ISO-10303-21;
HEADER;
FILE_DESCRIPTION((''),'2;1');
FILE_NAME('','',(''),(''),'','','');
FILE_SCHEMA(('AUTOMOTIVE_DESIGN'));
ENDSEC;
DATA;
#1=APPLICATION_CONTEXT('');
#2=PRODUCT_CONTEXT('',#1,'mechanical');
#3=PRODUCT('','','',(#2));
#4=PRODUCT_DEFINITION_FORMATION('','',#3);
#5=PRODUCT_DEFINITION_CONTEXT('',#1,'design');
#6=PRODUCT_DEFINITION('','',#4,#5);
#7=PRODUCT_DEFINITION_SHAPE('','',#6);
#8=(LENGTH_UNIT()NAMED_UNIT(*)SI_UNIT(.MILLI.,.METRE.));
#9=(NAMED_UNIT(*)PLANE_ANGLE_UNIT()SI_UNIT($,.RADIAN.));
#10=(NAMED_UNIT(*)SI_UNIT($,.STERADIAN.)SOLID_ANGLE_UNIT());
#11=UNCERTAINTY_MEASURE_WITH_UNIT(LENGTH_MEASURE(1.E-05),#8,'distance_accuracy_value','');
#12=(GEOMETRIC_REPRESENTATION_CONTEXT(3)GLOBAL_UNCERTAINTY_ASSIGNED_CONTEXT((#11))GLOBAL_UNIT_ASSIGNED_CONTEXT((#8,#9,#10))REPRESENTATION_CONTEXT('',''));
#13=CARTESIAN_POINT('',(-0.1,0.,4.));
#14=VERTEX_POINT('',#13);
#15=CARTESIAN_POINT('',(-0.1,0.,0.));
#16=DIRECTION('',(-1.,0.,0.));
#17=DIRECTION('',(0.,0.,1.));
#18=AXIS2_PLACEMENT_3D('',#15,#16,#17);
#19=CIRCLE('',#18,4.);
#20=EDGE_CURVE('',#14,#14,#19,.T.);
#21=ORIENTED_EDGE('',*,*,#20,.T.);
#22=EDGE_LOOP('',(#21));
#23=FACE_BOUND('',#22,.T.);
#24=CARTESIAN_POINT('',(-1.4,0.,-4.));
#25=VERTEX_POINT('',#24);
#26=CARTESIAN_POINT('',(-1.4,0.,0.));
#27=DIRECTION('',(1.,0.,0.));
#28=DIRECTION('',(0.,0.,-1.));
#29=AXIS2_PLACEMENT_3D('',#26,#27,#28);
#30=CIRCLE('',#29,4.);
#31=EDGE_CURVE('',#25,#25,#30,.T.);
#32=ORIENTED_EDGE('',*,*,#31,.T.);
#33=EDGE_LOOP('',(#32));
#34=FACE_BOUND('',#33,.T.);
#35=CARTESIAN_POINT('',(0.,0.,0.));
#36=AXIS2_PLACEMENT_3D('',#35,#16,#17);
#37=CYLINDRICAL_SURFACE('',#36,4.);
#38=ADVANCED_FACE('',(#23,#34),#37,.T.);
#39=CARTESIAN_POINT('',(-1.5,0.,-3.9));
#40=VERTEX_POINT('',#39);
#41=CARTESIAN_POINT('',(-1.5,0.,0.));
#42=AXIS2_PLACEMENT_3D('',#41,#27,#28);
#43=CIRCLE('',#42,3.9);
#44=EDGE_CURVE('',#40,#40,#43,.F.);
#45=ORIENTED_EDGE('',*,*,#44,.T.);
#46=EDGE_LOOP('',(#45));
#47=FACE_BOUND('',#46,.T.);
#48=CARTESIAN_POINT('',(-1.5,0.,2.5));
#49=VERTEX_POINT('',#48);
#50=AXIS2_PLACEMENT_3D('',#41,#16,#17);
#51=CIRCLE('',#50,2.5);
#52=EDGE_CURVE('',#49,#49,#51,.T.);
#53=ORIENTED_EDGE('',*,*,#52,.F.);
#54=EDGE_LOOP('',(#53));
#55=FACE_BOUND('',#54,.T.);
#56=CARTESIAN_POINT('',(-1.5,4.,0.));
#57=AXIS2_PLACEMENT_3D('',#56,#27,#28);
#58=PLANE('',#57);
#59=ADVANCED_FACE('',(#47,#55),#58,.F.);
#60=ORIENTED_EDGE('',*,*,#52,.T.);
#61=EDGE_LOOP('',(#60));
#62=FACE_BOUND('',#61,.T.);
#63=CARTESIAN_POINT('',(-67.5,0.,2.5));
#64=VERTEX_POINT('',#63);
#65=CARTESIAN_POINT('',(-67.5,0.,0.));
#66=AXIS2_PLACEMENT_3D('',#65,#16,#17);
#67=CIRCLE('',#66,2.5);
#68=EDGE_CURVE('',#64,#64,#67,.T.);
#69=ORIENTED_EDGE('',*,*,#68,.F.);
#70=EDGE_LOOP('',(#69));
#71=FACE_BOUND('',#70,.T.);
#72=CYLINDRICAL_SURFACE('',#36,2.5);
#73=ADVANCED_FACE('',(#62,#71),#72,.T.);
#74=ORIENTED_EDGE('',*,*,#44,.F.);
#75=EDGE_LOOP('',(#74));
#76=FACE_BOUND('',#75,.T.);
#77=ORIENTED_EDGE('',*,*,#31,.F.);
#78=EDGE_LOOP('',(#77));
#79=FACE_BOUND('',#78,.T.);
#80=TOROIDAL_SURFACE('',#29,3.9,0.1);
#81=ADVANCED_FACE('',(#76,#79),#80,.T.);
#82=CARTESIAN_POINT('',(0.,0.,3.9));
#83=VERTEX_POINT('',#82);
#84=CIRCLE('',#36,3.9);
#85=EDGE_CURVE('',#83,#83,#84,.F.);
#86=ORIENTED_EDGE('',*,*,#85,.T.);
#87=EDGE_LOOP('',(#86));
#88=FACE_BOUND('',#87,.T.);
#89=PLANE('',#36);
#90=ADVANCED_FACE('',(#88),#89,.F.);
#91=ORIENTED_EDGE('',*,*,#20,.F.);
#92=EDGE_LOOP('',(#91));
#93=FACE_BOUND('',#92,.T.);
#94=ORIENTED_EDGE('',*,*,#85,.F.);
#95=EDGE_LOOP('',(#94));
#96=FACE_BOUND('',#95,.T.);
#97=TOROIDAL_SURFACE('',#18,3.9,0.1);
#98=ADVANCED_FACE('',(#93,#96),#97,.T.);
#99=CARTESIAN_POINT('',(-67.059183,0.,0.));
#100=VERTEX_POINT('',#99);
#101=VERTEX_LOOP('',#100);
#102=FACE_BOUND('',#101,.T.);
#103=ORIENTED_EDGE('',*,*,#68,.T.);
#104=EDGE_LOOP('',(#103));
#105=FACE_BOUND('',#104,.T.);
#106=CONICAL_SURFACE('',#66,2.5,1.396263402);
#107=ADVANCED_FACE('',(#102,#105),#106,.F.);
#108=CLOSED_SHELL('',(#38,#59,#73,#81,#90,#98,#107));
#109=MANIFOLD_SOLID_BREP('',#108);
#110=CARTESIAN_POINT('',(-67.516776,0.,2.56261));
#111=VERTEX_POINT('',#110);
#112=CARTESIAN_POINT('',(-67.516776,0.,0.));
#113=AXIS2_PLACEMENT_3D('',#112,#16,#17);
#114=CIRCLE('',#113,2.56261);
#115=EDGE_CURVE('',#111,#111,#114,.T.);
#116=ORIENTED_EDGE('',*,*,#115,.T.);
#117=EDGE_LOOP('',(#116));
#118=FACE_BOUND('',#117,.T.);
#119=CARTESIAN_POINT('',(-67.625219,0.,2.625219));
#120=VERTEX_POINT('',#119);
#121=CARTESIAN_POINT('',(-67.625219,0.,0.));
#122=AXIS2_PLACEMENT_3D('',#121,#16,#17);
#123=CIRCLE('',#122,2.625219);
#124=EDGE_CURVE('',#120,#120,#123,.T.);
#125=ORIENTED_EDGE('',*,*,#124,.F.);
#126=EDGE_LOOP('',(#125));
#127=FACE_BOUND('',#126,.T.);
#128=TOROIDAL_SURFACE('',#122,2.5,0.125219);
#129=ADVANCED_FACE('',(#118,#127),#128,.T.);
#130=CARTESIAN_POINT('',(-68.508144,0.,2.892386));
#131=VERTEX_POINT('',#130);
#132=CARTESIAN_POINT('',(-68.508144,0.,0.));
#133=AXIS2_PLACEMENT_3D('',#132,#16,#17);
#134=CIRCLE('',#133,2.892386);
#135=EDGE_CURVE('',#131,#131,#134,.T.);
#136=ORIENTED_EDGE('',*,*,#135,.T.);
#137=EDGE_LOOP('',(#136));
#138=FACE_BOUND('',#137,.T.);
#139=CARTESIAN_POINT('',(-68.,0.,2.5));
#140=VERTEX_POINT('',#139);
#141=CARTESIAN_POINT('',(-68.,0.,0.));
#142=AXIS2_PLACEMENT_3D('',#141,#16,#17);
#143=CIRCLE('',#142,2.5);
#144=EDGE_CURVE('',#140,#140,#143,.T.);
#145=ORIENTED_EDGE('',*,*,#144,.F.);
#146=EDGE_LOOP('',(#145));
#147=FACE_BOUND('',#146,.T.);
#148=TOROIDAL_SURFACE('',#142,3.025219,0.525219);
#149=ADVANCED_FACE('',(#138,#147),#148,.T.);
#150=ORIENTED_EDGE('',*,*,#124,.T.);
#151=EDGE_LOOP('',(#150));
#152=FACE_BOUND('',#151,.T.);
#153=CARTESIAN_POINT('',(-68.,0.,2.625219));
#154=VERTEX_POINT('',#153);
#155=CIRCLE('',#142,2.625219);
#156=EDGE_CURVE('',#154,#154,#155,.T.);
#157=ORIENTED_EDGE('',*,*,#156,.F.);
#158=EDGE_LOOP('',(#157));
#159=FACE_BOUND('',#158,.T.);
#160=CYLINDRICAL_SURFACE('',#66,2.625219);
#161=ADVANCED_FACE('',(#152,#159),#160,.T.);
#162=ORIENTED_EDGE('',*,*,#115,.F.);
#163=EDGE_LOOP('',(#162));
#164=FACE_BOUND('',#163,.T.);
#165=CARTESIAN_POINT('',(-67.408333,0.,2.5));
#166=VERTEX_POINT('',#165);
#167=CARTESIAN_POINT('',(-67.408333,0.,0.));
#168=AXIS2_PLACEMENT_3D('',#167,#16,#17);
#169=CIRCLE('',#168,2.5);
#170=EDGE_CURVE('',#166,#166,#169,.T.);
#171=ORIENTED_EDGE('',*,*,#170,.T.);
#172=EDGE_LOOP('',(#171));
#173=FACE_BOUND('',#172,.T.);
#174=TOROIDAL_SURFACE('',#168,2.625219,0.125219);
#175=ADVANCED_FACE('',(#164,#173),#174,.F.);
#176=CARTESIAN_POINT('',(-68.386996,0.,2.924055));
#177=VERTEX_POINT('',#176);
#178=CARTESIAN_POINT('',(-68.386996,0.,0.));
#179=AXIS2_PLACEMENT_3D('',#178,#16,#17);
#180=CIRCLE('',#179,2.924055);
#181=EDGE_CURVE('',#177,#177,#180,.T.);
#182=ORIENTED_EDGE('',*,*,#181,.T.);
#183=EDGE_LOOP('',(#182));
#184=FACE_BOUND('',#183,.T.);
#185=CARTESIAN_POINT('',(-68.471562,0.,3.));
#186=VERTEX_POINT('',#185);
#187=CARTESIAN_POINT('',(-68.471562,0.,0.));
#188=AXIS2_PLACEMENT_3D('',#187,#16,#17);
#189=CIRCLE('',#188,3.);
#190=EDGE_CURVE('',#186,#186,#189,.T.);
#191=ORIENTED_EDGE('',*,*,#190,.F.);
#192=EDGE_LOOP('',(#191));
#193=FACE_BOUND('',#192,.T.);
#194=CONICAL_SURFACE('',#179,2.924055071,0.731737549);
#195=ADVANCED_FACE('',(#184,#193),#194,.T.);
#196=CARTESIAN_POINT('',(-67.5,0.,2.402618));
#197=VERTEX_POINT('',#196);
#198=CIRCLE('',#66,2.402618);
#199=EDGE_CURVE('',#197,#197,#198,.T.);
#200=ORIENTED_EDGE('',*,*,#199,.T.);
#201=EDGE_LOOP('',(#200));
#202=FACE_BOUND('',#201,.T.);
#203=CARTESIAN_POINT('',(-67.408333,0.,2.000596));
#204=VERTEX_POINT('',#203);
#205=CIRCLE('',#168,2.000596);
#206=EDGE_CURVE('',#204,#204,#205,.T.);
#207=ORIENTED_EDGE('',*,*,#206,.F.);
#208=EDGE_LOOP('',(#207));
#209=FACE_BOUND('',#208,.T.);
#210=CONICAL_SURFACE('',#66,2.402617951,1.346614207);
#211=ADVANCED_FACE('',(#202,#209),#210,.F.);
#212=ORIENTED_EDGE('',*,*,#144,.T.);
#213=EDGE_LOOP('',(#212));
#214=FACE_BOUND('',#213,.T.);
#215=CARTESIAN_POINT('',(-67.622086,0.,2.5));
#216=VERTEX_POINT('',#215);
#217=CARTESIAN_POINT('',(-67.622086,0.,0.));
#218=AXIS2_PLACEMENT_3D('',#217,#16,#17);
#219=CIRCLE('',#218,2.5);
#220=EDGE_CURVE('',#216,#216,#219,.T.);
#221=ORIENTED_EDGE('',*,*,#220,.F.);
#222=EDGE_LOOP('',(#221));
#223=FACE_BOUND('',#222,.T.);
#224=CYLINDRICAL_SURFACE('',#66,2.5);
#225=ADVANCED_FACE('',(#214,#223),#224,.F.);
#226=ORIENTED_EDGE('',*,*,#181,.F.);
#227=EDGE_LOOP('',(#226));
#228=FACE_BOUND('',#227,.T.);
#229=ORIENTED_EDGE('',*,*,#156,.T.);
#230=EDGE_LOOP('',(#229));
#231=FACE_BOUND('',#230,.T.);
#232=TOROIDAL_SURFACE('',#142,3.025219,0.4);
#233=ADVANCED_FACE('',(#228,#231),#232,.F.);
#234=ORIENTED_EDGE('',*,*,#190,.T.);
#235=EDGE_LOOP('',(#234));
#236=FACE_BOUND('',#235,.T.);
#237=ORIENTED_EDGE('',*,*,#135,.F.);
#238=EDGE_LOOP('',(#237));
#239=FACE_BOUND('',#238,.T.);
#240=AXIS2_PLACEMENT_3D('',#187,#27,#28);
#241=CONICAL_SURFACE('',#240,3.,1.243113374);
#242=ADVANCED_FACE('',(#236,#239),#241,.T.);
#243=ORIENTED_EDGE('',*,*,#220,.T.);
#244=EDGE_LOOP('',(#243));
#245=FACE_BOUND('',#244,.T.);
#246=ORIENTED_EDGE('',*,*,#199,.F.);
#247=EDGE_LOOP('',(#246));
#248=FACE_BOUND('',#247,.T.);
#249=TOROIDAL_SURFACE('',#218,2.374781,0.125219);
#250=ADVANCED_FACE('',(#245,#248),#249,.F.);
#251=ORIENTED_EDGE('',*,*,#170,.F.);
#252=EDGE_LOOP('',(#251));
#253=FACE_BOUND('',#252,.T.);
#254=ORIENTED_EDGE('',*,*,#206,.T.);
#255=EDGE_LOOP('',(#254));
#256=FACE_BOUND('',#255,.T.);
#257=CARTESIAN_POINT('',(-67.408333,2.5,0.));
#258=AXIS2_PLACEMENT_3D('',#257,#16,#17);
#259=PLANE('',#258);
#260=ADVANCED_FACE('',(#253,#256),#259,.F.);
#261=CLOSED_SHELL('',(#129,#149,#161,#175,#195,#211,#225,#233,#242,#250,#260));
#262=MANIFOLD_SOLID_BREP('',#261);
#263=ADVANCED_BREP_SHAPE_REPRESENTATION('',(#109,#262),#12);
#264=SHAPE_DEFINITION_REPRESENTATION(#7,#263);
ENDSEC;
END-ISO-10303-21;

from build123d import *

# Parameters (mm, degrees)
RADYUS1_R = 0.1


with BuildPart() as part:
    # Çizim1 → Döndür1 (revolve)
    with BuildSketch(Plane.XY):
        Polygon((0, 0), (-67.5, 0), (-67.5, 2.5), (-1.5, 2.5), (-1.5, 4), (0, 4), align=None)
    revolve(axis=Axis((0, 0, 0), (1, 0, 0)))

    # Radyus1
    radyus1_edges = [part.edges().sort_by_distance(p)[0] for p in [
        (0, -4, 0),
        (-1.5, -4, 0),
    ]]
    fillet(radyus1_edges, radius=RADYUS1_R)

    # Kes-Ekstrüzyon1 cone 1 section (through the dimple's axis) → Kes-Ekstrüzyon1 (revolve, cut)
    with BuildSketch(Plane(origin=(-67.5, 0, 0), x_dir=(0, 0, 1), z_dir=(0, 1, 0))):
        Polygon((0, 0), (2.5, 0), (0, 0.440817452), align=None)
    revolve(axis=Axis((-67.5, 0, 0), (1, 0, 0)), mode=Mode.SUBTRACT)


with BuildPart() as body_2:
    # Çizim4 → Döndür2 (revolve)
    with BuildSketch(Plane.XY):
        with BuildLine():
            Line((-68, 2.5), (-67.622086007, 2.5))
            ThreePointArc((-67.622086007, 2.5), (-67.544002307, 2.472672569), (-67.5, 2.402617951))
            Line((-67.5, 2.402617951), (-67.408332982, 2.000595733))
            Line((-67.408332982, 2.000595733), (-67.408332982, 2.5))
            ThreePointArc((-67.408332982, 2.5), (-67.470942718, 2.516776229), (-67.516776224, 2.562609739))
            ThreePointArc((-67.516776224, 2.562609739), (-67.562609731, 2.608443249), (-67.625219467, 2.625219478))
            Line((-67.625219467, 2.625219478), (-68, 2.625219478))
            ThreePointArc((-68, 2.625219478), (-68.244473145, 2.708623708), (-68.386995818, 2.924055071))
            Line((-68.386995818, 2.924055071), (-68.471562156, 3))
            Line((-68.471562156, 3), (-68.508144353, 2.892385686))
            ThreePointArc((-68.508144353, 2.892385686), (-68.321005144, 2.609513816), (-68, 2.5))
        make_face()
    revolve(axis=Axis((-67.5, 0, 0), (1, 0, 0)))


solid = Compound([part.part, body_2.part])
